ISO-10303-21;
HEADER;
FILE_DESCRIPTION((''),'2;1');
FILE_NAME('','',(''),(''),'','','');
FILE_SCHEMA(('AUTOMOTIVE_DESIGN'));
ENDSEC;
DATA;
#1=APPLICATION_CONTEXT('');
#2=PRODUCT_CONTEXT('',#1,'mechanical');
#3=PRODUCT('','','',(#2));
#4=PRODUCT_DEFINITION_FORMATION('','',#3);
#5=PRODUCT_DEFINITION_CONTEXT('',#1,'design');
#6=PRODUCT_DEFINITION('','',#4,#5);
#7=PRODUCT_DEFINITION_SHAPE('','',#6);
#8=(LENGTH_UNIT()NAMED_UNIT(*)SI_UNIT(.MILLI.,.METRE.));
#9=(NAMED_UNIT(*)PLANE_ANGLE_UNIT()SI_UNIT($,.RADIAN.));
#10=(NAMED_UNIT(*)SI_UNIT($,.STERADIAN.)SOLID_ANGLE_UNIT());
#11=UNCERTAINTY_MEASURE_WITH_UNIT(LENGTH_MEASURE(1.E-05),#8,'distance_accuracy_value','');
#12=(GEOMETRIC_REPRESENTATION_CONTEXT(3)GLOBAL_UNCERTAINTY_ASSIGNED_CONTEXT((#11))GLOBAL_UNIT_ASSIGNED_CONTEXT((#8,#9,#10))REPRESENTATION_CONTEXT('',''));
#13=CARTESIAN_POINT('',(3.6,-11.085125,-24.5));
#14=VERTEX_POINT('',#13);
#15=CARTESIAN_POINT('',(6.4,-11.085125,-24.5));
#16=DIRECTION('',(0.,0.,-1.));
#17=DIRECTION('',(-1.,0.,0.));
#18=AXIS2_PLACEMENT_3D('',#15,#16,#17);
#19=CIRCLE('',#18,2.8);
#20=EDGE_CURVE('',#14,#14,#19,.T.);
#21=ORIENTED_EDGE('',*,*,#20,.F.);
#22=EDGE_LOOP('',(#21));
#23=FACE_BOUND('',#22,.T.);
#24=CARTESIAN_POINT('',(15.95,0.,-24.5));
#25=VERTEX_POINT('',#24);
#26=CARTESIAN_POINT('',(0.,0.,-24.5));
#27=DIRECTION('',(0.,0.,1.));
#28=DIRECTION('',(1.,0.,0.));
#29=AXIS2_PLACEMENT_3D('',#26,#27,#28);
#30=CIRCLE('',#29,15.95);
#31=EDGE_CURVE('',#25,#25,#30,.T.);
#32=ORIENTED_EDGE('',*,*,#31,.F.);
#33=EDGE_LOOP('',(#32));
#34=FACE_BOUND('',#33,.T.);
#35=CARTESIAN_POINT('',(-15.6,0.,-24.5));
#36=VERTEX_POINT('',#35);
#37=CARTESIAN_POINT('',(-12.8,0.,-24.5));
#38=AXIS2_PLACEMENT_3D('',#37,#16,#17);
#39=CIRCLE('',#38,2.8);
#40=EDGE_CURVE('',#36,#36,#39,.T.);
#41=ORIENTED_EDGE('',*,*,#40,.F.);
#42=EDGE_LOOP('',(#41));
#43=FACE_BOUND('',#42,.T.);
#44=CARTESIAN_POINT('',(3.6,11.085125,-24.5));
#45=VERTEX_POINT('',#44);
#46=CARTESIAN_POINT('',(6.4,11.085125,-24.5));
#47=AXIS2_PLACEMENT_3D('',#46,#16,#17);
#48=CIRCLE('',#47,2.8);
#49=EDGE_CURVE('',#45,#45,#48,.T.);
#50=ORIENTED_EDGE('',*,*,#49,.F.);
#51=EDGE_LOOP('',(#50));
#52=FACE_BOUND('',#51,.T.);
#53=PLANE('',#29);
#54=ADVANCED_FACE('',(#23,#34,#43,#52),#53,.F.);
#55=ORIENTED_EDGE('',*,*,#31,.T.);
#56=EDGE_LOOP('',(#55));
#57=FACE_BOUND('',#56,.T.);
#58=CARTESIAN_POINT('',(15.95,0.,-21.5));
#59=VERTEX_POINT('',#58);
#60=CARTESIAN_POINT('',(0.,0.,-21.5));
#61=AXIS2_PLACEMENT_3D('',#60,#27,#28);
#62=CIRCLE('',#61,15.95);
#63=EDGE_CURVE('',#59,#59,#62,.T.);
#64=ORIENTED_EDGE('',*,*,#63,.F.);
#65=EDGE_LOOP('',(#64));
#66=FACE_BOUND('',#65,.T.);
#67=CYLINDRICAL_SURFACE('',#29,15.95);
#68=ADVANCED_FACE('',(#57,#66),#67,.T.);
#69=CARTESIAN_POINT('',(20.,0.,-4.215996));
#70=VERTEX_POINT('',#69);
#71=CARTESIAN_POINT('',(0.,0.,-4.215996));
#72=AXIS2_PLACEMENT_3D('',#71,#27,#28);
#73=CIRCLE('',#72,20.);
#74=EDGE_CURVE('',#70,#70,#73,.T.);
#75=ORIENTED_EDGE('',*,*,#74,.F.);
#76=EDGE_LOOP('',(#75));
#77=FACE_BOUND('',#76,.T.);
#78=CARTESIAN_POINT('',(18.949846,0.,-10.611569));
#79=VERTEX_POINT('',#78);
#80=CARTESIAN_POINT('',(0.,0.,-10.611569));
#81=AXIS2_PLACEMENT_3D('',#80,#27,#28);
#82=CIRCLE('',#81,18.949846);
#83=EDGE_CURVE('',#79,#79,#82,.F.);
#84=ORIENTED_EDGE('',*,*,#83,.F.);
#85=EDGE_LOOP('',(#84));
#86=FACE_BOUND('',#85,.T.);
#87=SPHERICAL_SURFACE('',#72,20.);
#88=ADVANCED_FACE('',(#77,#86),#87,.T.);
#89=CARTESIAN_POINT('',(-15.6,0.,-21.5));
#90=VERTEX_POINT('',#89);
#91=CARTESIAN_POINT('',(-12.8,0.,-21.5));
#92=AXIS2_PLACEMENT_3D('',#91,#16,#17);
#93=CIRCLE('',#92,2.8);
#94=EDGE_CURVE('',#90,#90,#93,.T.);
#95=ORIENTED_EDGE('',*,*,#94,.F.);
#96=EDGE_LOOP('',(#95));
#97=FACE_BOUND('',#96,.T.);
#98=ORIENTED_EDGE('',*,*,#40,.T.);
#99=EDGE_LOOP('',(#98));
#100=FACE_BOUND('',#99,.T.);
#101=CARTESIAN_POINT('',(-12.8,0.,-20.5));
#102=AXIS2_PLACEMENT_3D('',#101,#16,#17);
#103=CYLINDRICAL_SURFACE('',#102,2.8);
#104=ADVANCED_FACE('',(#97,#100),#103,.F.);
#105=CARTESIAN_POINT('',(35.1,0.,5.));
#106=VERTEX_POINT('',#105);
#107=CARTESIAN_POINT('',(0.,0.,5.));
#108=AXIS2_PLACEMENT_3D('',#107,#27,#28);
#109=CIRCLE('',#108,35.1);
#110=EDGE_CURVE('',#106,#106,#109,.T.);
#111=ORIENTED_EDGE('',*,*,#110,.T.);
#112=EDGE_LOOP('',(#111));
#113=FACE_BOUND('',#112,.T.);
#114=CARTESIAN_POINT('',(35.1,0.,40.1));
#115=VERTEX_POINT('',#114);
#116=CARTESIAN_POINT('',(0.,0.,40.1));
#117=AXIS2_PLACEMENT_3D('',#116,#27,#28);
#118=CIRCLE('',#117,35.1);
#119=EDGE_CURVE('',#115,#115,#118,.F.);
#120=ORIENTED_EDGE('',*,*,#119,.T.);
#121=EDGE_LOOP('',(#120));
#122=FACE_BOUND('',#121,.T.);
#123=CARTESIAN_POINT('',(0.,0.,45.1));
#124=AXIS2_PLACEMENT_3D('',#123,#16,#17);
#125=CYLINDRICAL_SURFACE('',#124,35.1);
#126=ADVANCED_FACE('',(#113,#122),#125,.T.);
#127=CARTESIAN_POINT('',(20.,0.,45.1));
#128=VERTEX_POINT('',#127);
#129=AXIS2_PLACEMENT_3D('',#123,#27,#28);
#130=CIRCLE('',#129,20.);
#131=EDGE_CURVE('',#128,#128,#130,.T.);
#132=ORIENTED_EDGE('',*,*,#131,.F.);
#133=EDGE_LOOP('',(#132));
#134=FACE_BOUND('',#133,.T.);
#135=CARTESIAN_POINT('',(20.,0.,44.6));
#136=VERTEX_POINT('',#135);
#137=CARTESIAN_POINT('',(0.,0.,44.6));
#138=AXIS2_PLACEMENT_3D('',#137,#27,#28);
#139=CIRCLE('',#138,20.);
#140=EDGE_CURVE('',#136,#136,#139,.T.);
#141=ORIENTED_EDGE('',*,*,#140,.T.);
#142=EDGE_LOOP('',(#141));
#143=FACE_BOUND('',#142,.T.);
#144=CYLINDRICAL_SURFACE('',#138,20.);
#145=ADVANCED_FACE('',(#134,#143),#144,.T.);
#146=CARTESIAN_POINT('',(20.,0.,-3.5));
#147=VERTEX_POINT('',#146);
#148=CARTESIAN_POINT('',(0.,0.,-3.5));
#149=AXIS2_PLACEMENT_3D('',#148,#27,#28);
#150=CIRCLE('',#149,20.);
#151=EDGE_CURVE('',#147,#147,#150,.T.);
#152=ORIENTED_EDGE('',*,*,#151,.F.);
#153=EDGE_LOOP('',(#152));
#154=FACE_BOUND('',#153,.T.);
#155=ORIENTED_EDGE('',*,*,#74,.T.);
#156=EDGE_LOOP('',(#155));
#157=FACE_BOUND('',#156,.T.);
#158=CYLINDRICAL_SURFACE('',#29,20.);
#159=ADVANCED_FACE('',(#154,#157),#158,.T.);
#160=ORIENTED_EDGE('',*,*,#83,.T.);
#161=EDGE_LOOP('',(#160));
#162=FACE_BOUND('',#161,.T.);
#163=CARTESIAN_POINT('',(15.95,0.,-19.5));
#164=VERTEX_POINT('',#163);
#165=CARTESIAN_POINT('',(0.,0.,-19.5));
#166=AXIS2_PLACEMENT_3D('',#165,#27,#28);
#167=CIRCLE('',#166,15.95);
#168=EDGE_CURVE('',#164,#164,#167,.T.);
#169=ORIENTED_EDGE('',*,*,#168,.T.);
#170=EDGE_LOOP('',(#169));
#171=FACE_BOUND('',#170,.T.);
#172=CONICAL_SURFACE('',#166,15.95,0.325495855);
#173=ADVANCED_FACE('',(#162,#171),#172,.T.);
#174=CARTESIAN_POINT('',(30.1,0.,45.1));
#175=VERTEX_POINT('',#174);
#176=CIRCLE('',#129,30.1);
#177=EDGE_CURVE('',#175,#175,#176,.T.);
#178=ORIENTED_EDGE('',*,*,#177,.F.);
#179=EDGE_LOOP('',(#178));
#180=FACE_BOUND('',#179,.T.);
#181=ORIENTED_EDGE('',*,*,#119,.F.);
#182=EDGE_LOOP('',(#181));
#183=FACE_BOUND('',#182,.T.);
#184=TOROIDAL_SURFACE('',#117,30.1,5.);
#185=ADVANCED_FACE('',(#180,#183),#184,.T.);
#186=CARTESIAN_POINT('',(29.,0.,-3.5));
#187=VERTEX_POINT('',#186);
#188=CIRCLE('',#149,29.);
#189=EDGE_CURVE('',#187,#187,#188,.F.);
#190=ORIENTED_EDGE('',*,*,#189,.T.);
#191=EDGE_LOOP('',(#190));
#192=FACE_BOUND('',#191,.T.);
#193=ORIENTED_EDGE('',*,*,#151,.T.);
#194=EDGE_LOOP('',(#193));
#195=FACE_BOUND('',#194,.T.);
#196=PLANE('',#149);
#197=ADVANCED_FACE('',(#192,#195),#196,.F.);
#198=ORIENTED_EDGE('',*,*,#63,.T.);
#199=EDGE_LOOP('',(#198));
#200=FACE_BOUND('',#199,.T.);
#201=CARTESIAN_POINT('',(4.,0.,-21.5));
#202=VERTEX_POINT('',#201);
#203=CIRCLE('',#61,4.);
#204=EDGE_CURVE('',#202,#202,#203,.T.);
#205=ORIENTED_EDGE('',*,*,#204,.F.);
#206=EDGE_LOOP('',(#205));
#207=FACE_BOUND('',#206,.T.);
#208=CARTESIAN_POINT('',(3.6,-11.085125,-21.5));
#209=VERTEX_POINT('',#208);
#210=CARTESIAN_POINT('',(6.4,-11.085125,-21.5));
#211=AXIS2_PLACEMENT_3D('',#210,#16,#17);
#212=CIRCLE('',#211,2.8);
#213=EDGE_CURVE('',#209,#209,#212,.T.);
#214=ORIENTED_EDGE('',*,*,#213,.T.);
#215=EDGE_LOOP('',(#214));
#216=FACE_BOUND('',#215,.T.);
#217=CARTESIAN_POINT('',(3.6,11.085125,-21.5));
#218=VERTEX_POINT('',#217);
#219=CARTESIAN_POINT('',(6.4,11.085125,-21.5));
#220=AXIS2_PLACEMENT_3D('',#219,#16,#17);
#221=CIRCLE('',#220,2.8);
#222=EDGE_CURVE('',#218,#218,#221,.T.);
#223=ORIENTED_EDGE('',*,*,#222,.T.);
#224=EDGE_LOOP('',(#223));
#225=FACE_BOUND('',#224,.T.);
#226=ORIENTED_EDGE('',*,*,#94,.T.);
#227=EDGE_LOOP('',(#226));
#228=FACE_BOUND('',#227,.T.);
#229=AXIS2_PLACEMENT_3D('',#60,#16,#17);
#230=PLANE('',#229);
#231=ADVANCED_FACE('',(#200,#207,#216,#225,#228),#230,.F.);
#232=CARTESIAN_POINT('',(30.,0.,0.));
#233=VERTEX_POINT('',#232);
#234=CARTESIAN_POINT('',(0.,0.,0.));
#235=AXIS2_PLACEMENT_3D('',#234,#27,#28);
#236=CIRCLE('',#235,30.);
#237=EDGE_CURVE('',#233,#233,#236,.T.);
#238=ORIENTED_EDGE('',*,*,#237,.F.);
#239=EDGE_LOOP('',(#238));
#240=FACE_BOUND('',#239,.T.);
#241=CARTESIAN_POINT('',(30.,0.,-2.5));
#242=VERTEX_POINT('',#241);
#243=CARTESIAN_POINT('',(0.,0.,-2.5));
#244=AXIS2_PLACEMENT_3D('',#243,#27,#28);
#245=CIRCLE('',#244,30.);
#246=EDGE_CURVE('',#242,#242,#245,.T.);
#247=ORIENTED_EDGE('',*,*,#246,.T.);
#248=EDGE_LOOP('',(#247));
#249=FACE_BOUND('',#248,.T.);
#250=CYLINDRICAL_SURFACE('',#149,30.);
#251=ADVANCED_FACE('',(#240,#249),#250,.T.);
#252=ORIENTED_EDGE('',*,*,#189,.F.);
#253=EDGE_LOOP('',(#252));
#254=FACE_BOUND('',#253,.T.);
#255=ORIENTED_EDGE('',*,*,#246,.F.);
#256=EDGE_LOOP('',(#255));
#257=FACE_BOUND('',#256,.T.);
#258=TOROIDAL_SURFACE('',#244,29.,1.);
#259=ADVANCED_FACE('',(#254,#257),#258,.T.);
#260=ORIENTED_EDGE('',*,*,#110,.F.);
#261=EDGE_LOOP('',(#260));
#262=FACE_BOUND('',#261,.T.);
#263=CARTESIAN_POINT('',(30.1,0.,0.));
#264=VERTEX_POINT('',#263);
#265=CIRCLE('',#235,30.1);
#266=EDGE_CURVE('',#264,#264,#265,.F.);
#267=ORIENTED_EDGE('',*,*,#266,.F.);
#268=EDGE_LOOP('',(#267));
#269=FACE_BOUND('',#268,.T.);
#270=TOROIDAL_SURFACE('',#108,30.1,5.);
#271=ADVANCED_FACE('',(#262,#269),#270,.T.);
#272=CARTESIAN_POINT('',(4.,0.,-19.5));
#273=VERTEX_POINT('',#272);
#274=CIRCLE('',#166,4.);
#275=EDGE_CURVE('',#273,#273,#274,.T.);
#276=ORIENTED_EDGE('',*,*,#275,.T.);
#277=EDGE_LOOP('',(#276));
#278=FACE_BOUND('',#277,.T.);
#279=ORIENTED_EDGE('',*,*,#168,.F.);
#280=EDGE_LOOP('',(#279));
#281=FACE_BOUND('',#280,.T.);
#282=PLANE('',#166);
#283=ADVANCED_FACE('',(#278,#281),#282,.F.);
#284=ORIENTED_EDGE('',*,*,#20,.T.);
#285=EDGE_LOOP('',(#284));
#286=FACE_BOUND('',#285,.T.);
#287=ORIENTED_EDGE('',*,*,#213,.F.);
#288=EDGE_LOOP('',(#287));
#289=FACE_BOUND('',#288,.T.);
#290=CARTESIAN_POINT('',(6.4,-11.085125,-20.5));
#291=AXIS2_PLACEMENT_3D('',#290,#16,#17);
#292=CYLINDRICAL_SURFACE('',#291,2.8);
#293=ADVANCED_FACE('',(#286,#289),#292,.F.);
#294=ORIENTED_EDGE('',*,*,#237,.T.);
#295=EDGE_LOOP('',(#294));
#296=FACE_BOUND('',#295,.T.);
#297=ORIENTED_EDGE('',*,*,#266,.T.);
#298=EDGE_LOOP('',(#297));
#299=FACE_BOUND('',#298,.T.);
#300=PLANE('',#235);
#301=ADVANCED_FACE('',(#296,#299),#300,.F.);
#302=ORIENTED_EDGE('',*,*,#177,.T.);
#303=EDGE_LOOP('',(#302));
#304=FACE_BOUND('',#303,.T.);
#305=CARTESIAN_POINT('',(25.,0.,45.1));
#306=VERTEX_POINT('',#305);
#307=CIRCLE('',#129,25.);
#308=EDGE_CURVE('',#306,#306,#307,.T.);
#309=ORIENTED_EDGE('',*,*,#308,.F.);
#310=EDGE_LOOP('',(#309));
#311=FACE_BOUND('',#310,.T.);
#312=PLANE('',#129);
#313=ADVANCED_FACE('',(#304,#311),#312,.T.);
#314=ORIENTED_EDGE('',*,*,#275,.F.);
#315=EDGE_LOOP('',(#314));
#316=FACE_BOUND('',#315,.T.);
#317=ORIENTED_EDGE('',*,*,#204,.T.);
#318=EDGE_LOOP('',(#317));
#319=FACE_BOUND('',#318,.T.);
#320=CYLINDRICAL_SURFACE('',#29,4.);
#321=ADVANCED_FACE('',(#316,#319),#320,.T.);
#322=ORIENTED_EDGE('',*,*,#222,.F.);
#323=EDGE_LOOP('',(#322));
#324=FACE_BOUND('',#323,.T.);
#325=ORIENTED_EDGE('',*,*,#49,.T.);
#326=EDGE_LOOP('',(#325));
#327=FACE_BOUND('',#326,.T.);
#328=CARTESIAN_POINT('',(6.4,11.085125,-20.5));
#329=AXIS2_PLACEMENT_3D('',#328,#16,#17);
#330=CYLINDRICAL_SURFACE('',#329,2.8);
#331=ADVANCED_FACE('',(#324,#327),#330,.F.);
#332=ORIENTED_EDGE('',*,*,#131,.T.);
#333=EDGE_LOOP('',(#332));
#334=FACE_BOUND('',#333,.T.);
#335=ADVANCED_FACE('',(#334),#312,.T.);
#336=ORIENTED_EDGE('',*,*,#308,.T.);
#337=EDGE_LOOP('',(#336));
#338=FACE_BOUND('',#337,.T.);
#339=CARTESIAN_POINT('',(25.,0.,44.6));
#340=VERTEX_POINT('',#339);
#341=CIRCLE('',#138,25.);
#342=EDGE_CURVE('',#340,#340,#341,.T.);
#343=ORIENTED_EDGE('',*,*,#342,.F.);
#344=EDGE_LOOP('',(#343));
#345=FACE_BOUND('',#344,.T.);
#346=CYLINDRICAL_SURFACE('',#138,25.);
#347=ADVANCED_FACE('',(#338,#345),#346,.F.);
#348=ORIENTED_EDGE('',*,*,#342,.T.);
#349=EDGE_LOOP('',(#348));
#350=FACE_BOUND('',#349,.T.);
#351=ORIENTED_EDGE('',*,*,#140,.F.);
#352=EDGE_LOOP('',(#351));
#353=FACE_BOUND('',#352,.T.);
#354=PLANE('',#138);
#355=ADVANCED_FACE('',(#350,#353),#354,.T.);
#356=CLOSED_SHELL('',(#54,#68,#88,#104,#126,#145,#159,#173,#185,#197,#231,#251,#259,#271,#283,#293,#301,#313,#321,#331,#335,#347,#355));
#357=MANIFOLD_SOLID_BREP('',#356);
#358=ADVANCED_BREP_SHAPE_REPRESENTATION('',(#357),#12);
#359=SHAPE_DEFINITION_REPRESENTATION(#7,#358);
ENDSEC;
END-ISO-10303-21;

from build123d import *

# Parameters (mm, degrees)
SKETCH_1_R          = 35.1
EXTRUDE_1_DEPTH     = 45.1
SKETCH_3_R          = 30
SKETCH_3_R_2        = 20
EXTRUDE_2_DEPTH     = 3.5
SKETCH_3_4_R        = 20
EXTRUDE_3_DEPTH     = 24.5
FILLET_1_R          = 5
FILLET_2_R          = 20
FILLET_3_R          = 1
SKETCH_6_R          = 2.8
CUT_EXTRUDE_1_DEPTH = 4
SKETCH_7_R          = 25
SKETCH_7_R_2        = 20
CUT_EXTRUDE_2_DEPTH = 0.5


with BuildPart() as part:
    # 스케치1 → 보스-돌출1 (new body)
    with BuildSketch(Plane.XY):
        Circle(SKETCH_1_R)
    extrude(amount=EXTRUDE_1_DEPTH)

    # 스케치3 → 보스-돌출2 (add)
    with BuildSketch(Plane.XY):
        Circle(SKETCH_3_R)
        Circle(SKETCH_3_R_2, mode=Mode.SUBTRACT)
    extrude(amount=-EXTRUDE_2_DEPTH)

    # 스케치3<4> → 보스-돌출3 (add)
    with BuildSketch(Plane.XY):
        Circle(SKETCH_3_4_R)
    extrude(amount=-EXTRUDE_3_DEPTH)

    # 스케치4 → 컷-회전2 (revolve, cut)
    with BuildSketch(Plane(origin=(0, 0, 0), x_dir=(1, 0, 0), z_dir=(0, 1, 0))):
        Polygon((-15.95, 24.5), (-20, 24.5), (-20, 7.5), (-15.95, 19.5), (-4, 19.5), (-4, 21.5), (-15.95, 21.5), align=None)
    revolve(axis=Axis((0, 0, -24.5), (0, 0, -1)), mode=Mode.SUBTRACT)

    # 필렛1
    fillet_1_edges = [part.edges().sort_by_distance(p)[0] for p in [
        (-35.1, 0, 45.1),
        (-35.1, 0, 0),
    ]]
    fillet(fillet_1_edges, radius=FILLET_1_R)

    # 필렛2
    fillet_2_edges = [part.edges().sort_by_distance(p)[0] for p in [
        (0, -20, -7.5),
    ]]
    fillet(fillet_2_edges, radius=FILLET_2_R)

    # 필렛3
    fillet_3_edges = [part.edges().sort_by_distance(p)[0] for p in [
        (-30, 0, -3.5),
    ]]
    fillet(fillet_3_edges, radius=FILLET_3_R)

    # 스케치6 → 컷-돌출1 (cut)
    with BuildSketch(Plane(origin=(0, 0, -24.5), x_dir=(-1, 0, 0), z_dir=(0, 0, -1))):
        with Locations((12.8, 0)):
            Circle(SKETCH_6_R)
        with Locations((-6.4, 11.085125168)):
            Circle(SKETCH_6_R)
        with Locations((-6.4, -11.085125168)):
            Circle(SKETCH_6_R)
    extrude(amount=-CUT_EXTRUDE_1_DEPTH, mode=Mode.SUBTRACT)

    # 스케치7 → 컷-돌출2 (cut)
    with BuildSketch(Plane.XY.offset(45.1)):
        Circle(SKETCH_7_R)
        Circle(SKETCH_7_R_2, mode=Mode.SUBTRACT)
    extrude(amount=-CUT_EXTRUDE_2_DEPTH, mode=Mode.SUBTRACT)


solid = part.part
